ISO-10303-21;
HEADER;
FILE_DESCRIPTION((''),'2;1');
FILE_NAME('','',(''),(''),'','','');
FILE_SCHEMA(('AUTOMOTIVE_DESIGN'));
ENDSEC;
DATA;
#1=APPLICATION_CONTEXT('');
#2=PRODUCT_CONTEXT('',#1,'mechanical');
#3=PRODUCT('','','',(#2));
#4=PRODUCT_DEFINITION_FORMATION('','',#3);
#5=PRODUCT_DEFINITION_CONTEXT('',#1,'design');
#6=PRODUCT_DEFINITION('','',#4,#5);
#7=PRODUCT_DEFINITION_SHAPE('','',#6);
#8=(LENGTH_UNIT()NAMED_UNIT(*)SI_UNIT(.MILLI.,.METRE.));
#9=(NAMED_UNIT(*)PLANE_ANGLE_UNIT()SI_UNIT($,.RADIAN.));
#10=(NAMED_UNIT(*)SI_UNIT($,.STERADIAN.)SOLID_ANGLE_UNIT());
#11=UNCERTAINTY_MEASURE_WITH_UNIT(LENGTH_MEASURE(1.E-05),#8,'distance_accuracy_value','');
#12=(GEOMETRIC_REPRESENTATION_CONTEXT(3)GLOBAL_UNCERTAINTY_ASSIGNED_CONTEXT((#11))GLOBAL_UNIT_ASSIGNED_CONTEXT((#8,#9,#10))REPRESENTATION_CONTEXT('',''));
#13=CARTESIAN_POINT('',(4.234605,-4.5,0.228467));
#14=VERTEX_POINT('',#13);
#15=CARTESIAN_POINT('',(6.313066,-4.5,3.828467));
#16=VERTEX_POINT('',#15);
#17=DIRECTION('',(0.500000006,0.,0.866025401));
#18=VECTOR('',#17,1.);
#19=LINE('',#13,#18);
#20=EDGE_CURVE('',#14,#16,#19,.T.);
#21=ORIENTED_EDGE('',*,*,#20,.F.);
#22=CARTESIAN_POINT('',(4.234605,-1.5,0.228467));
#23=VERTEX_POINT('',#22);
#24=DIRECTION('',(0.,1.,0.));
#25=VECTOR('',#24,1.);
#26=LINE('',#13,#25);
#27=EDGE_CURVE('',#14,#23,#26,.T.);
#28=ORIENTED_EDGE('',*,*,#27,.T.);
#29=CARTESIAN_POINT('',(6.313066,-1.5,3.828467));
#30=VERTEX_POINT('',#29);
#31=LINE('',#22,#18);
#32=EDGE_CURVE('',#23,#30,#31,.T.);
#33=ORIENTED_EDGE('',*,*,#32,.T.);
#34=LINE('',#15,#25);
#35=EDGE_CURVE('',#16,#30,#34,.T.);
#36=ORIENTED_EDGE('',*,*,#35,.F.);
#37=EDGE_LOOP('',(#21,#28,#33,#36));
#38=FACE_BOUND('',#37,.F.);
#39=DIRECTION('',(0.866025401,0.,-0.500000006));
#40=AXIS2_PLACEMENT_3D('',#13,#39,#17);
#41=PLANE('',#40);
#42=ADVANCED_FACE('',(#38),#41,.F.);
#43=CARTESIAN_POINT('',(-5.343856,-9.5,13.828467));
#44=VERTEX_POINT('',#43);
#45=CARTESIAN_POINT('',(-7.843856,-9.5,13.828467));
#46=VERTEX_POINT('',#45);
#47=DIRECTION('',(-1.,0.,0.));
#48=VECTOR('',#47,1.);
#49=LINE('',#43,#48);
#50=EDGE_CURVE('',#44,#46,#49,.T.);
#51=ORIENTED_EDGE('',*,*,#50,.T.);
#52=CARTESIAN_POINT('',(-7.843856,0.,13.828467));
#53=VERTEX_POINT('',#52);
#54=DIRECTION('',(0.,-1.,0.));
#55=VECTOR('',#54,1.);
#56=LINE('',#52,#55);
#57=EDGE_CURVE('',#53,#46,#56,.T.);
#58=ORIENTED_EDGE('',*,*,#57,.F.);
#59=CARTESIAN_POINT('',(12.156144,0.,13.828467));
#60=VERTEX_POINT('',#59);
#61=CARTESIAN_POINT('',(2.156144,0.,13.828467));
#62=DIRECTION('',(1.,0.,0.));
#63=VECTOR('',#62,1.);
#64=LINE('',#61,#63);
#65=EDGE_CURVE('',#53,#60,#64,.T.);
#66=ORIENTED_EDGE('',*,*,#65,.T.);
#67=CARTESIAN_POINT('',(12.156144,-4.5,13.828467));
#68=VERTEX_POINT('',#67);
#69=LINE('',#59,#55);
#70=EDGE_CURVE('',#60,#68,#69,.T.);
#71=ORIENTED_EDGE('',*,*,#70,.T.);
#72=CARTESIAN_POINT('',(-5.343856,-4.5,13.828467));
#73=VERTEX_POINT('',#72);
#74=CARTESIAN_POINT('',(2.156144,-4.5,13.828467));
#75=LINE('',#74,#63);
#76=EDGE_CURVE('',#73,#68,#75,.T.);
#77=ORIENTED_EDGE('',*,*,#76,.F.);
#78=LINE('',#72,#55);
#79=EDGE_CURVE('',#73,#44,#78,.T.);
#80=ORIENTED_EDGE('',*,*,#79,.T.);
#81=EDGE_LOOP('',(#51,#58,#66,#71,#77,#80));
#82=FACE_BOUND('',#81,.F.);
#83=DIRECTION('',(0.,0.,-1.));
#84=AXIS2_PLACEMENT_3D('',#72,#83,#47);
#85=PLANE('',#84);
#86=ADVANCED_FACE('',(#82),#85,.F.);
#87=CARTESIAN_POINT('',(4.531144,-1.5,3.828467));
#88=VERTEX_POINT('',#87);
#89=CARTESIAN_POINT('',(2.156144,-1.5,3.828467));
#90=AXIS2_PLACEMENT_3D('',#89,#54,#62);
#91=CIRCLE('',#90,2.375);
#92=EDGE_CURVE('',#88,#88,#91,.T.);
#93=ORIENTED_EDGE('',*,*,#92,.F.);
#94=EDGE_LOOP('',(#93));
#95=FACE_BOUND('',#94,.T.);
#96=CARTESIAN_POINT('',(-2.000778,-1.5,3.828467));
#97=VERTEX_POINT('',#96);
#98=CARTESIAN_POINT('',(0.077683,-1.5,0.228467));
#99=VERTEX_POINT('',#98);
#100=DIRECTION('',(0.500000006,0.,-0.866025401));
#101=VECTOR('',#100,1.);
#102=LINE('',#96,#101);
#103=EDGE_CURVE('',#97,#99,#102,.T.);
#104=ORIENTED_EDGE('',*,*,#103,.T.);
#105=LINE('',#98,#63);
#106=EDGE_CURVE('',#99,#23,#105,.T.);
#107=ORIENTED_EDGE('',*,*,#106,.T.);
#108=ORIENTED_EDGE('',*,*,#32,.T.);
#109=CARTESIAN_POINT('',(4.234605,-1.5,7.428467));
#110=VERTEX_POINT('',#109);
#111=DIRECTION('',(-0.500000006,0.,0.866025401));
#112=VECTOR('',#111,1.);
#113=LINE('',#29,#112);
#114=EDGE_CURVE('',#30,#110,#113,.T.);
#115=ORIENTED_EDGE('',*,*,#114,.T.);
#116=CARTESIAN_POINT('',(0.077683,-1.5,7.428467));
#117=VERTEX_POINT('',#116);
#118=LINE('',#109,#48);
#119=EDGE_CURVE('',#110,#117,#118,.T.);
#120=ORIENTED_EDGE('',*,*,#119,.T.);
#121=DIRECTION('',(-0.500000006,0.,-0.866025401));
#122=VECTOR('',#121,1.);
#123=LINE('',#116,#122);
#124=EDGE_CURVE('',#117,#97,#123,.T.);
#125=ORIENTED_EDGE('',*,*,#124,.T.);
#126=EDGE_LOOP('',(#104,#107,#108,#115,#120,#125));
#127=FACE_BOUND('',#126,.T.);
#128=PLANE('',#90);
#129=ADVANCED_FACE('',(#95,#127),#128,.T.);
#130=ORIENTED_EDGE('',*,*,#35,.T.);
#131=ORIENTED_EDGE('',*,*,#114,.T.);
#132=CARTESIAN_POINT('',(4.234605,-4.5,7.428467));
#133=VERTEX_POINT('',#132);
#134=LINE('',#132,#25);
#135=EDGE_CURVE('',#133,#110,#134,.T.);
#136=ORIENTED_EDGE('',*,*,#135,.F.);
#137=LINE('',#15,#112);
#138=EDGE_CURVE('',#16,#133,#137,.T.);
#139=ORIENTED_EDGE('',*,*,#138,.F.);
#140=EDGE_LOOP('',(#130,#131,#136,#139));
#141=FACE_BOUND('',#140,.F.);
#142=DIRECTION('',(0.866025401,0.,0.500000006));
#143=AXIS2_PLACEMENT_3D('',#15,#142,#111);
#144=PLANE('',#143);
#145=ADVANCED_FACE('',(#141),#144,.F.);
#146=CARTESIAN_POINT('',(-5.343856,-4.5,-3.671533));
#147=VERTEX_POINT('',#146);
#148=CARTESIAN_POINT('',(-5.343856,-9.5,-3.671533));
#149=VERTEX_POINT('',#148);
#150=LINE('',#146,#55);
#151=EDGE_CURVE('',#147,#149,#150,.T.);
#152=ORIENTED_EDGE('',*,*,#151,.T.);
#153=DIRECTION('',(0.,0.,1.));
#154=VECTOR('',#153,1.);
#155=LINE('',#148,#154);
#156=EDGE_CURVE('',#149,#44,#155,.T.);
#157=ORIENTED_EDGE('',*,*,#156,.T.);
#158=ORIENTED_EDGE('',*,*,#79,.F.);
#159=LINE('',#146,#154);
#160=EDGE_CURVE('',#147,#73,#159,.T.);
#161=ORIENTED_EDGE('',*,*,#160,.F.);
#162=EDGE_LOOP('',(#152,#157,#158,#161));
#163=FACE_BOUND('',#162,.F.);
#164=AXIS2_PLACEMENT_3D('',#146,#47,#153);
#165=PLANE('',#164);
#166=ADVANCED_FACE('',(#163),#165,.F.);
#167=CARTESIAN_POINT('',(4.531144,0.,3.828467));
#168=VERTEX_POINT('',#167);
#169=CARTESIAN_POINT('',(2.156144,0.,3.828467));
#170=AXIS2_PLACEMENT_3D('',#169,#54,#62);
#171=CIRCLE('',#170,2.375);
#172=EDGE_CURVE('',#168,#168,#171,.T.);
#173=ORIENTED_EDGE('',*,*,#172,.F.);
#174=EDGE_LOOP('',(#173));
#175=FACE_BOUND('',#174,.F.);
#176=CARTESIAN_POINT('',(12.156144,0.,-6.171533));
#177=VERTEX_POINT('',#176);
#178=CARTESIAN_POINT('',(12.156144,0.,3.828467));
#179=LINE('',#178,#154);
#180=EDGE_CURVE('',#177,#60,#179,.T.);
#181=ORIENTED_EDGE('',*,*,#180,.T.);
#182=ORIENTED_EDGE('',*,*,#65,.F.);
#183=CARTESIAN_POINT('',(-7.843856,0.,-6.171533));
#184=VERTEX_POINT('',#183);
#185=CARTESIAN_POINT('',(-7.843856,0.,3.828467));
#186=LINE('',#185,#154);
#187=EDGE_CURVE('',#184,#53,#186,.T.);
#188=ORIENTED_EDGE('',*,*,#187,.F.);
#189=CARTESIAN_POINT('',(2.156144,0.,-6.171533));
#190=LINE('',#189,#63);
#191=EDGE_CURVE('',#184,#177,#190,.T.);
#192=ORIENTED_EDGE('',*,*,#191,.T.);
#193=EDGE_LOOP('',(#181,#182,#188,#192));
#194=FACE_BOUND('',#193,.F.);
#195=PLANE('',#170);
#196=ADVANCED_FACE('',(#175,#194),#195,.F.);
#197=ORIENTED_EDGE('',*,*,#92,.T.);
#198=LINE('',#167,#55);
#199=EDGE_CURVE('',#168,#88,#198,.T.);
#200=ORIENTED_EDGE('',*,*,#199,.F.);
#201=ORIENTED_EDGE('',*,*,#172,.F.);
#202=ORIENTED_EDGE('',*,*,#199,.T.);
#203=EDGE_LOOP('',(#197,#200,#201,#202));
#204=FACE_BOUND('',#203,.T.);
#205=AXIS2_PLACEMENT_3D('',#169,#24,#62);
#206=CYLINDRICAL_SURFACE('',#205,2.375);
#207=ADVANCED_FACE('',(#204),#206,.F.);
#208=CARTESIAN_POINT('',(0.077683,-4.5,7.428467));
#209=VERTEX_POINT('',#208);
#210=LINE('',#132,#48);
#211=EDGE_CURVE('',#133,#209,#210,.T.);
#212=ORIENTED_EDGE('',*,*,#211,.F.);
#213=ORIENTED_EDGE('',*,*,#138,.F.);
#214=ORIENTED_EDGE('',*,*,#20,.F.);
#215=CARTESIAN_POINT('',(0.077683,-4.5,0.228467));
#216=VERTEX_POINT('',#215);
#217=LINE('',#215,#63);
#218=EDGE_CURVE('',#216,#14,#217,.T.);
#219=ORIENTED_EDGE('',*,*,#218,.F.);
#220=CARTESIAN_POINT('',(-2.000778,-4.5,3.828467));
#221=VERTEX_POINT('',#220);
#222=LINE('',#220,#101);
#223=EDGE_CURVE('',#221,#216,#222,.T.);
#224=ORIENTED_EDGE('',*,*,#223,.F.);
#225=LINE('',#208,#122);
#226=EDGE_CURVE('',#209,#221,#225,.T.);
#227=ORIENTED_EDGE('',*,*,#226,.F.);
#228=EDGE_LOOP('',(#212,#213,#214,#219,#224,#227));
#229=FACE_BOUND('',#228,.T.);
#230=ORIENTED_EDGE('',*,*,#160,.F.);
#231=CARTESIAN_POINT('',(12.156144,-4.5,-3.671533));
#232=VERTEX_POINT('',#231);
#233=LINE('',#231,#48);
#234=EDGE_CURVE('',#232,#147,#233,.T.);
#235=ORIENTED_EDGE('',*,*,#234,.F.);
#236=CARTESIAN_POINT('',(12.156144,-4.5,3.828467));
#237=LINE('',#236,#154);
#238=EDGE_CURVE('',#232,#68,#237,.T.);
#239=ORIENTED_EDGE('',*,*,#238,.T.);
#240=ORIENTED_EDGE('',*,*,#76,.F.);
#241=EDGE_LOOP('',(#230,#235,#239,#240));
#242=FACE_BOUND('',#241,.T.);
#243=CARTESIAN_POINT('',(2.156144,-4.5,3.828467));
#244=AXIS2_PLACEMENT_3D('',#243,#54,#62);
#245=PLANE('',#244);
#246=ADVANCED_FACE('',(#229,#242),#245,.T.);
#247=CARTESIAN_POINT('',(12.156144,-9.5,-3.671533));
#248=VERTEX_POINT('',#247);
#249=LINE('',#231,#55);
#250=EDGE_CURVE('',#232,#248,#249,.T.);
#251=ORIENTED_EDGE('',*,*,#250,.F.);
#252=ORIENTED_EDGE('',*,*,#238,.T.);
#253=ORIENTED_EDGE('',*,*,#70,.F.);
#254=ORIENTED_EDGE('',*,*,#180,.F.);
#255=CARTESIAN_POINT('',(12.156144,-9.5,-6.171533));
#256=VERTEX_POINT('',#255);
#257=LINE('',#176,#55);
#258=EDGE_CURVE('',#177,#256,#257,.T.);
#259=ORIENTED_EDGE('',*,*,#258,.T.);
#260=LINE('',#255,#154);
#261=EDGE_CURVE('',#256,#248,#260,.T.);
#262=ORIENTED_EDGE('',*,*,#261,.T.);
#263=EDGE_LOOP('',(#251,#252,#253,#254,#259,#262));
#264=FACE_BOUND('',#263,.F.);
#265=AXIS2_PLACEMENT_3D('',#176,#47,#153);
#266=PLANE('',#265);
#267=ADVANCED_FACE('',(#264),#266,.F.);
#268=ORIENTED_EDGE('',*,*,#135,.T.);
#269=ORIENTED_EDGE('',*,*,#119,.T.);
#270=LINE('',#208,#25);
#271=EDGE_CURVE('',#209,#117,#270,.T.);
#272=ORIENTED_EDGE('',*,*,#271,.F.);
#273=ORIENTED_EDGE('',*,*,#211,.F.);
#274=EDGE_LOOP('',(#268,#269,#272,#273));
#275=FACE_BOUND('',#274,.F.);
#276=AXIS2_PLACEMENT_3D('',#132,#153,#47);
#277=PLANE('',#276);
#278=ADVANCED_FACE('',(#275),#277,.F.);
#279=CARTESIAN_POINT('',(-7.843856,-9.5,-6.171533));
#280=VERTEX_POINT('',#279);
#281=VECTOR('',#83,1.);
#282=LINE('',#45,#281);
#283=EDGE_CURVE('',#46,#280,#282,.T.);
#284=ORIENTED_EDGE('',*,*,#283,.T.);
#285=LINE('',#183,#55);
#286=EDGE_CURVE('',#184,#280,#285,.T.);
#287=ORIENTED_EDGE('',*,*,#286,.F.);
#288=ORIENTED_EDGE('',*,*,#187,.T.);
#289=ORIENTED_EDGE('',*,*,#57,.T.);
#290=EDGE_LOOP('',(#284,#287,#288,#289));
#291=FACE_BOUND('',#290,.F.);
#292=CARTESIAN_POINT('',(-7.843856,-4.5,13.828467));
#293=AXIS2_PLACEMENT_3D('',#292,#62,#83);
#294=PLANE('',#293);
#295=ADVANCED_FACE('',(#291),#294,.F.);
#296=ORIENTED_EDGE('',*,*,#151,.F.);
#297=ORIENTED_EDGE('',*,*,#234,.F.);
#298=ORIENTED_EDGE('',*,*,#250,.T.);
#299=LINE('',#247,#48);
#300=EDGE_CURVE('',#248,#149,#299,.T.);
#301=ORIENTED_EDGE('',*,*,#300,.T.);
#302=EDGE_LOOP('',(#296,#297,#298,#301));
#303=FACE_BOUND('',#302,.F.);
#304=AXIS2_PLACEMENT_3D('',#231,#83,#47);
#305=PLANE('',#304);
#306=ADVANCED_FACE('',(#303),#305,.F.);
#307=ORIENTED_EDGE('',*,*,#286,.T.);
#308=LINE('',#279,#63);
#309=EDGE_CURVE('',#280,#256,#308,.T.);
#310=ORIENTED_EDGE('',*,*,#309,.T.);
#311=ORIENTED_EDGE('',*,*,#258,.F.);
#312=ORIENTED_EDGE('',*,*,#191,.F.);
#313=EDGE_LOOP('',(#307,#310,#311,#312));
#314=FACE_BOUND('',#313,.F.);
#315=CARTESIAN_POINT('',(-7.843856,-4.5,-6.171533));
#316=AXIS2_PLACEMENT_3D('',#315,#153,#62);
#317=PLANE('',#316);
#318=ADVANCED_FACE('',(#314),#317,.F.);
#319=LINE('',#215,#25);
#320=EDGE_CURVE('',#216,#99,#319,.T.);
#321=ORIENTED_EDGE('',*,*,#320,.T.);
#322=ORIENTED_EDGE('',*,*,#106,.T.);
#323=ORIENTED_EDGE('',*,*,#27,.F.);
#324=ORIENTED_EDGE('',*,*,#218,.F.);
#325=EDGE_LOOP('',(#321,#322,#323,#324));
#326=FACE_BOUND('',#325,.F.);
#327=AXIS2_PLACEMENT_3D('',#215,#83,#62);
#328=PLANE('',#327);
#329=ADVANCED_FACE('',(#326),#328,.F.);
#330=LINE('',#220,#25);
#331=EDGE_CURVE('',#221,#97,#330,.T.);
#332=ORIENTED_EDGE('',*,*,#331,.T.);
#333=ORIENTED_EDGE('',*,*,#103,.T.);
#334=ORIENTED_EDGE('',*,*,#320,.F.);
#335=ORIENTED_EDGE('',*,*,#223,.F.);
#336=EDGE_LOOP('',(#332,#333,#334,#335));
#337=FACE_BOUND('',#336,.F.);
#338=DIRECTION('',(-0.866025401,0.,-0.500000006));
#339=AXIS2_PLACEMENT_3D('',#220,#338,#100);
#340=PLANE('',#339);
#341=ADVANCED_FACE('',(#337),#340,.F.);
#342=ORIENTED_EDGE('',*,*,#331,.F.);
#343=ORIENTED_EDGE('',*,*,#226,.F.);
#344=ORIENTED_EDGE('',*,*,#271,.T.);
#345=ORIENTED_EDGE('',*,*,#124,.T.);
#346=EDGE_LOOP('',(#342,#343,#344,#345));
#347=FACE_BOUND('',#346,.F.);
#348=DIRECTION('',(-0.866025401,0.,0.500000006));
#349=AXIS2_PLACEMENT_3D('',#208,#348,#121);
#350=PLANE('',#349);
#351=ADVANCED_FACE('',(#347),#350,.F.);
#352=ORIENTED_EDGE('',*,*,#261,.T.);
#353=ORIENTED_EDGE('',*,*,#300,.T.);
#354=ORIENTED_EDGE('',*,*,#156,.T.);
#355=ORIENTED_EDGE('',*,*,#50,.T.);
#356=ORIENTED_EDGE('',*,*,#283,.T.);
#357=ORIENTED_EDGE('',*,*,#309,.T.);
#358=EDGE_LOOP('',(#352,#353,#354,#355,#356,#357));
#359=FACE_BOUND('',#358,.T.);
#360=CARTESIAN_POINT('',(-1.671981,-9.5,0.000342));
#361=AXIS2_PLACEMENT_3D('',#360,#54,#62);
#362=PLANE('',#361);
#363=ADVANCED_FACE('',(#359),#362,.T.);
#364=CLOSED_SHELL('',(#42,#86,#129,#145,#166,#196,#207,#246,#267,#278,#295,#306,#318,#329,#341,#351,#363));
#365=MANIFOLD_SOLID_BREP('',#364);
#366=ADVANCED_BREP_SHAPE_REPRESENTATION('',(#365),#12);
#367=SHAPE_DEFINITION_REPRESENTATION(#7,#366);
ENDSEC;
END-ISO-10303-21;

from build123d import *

# Parameters (mm, degrees)
F0_W     = 20
F0_H     = 20
F0_R     = 2.375
F1_DEPTH = 4.5
F3_DEPTH = 5
F4_R     = 2.375
F5_DEPTH = 3


with BuildPart() as f1:
    # F0 (on Front) → F1 (new body)
    with BuildSketch(Plane.XZ):
        with Locations((2.156144, 3.828467)):
            Rectangle(F0_W, F0_H)
        with Locations((2.156144, 3.828467)):
            Circle(F0_R, mode=Mode.SUBTRACT)
    extrude(amount=F1_DEPTH)

    # F2 (on face) → F3 (join)
    with BuildSketch(Plane.XZ.offset(4.5)):
        Polygon((-5.343856, 13.828467), (-7.843856, 13.828467), (-7.843856, -6.171533), (12.156144, -6.171533), (12.156144, -3.671533), (-5.343856, -3.671533), align=None)
    extrude(amount=F3_DEPTH)

    # F4 (on face) → F5 (cut)
    with BuildSketch(Plane.XZ.offset(4.5)):
        Polygon((0.077683, 7.428467), (-2.000778, 3.828467), (0.077683, 0.228467), (4.234605, 0.228467), (6.313066, 3.828467), (4.234605, 7.428467), align=None)
        with Locations((2.156144, 3.828467)):
            Circle(F4_R, mode=Mode.SUBTRACT)
    extrude(amount=-F5_DEPTH, mode=Mode.SUBTRACT)


solid = f1.part
